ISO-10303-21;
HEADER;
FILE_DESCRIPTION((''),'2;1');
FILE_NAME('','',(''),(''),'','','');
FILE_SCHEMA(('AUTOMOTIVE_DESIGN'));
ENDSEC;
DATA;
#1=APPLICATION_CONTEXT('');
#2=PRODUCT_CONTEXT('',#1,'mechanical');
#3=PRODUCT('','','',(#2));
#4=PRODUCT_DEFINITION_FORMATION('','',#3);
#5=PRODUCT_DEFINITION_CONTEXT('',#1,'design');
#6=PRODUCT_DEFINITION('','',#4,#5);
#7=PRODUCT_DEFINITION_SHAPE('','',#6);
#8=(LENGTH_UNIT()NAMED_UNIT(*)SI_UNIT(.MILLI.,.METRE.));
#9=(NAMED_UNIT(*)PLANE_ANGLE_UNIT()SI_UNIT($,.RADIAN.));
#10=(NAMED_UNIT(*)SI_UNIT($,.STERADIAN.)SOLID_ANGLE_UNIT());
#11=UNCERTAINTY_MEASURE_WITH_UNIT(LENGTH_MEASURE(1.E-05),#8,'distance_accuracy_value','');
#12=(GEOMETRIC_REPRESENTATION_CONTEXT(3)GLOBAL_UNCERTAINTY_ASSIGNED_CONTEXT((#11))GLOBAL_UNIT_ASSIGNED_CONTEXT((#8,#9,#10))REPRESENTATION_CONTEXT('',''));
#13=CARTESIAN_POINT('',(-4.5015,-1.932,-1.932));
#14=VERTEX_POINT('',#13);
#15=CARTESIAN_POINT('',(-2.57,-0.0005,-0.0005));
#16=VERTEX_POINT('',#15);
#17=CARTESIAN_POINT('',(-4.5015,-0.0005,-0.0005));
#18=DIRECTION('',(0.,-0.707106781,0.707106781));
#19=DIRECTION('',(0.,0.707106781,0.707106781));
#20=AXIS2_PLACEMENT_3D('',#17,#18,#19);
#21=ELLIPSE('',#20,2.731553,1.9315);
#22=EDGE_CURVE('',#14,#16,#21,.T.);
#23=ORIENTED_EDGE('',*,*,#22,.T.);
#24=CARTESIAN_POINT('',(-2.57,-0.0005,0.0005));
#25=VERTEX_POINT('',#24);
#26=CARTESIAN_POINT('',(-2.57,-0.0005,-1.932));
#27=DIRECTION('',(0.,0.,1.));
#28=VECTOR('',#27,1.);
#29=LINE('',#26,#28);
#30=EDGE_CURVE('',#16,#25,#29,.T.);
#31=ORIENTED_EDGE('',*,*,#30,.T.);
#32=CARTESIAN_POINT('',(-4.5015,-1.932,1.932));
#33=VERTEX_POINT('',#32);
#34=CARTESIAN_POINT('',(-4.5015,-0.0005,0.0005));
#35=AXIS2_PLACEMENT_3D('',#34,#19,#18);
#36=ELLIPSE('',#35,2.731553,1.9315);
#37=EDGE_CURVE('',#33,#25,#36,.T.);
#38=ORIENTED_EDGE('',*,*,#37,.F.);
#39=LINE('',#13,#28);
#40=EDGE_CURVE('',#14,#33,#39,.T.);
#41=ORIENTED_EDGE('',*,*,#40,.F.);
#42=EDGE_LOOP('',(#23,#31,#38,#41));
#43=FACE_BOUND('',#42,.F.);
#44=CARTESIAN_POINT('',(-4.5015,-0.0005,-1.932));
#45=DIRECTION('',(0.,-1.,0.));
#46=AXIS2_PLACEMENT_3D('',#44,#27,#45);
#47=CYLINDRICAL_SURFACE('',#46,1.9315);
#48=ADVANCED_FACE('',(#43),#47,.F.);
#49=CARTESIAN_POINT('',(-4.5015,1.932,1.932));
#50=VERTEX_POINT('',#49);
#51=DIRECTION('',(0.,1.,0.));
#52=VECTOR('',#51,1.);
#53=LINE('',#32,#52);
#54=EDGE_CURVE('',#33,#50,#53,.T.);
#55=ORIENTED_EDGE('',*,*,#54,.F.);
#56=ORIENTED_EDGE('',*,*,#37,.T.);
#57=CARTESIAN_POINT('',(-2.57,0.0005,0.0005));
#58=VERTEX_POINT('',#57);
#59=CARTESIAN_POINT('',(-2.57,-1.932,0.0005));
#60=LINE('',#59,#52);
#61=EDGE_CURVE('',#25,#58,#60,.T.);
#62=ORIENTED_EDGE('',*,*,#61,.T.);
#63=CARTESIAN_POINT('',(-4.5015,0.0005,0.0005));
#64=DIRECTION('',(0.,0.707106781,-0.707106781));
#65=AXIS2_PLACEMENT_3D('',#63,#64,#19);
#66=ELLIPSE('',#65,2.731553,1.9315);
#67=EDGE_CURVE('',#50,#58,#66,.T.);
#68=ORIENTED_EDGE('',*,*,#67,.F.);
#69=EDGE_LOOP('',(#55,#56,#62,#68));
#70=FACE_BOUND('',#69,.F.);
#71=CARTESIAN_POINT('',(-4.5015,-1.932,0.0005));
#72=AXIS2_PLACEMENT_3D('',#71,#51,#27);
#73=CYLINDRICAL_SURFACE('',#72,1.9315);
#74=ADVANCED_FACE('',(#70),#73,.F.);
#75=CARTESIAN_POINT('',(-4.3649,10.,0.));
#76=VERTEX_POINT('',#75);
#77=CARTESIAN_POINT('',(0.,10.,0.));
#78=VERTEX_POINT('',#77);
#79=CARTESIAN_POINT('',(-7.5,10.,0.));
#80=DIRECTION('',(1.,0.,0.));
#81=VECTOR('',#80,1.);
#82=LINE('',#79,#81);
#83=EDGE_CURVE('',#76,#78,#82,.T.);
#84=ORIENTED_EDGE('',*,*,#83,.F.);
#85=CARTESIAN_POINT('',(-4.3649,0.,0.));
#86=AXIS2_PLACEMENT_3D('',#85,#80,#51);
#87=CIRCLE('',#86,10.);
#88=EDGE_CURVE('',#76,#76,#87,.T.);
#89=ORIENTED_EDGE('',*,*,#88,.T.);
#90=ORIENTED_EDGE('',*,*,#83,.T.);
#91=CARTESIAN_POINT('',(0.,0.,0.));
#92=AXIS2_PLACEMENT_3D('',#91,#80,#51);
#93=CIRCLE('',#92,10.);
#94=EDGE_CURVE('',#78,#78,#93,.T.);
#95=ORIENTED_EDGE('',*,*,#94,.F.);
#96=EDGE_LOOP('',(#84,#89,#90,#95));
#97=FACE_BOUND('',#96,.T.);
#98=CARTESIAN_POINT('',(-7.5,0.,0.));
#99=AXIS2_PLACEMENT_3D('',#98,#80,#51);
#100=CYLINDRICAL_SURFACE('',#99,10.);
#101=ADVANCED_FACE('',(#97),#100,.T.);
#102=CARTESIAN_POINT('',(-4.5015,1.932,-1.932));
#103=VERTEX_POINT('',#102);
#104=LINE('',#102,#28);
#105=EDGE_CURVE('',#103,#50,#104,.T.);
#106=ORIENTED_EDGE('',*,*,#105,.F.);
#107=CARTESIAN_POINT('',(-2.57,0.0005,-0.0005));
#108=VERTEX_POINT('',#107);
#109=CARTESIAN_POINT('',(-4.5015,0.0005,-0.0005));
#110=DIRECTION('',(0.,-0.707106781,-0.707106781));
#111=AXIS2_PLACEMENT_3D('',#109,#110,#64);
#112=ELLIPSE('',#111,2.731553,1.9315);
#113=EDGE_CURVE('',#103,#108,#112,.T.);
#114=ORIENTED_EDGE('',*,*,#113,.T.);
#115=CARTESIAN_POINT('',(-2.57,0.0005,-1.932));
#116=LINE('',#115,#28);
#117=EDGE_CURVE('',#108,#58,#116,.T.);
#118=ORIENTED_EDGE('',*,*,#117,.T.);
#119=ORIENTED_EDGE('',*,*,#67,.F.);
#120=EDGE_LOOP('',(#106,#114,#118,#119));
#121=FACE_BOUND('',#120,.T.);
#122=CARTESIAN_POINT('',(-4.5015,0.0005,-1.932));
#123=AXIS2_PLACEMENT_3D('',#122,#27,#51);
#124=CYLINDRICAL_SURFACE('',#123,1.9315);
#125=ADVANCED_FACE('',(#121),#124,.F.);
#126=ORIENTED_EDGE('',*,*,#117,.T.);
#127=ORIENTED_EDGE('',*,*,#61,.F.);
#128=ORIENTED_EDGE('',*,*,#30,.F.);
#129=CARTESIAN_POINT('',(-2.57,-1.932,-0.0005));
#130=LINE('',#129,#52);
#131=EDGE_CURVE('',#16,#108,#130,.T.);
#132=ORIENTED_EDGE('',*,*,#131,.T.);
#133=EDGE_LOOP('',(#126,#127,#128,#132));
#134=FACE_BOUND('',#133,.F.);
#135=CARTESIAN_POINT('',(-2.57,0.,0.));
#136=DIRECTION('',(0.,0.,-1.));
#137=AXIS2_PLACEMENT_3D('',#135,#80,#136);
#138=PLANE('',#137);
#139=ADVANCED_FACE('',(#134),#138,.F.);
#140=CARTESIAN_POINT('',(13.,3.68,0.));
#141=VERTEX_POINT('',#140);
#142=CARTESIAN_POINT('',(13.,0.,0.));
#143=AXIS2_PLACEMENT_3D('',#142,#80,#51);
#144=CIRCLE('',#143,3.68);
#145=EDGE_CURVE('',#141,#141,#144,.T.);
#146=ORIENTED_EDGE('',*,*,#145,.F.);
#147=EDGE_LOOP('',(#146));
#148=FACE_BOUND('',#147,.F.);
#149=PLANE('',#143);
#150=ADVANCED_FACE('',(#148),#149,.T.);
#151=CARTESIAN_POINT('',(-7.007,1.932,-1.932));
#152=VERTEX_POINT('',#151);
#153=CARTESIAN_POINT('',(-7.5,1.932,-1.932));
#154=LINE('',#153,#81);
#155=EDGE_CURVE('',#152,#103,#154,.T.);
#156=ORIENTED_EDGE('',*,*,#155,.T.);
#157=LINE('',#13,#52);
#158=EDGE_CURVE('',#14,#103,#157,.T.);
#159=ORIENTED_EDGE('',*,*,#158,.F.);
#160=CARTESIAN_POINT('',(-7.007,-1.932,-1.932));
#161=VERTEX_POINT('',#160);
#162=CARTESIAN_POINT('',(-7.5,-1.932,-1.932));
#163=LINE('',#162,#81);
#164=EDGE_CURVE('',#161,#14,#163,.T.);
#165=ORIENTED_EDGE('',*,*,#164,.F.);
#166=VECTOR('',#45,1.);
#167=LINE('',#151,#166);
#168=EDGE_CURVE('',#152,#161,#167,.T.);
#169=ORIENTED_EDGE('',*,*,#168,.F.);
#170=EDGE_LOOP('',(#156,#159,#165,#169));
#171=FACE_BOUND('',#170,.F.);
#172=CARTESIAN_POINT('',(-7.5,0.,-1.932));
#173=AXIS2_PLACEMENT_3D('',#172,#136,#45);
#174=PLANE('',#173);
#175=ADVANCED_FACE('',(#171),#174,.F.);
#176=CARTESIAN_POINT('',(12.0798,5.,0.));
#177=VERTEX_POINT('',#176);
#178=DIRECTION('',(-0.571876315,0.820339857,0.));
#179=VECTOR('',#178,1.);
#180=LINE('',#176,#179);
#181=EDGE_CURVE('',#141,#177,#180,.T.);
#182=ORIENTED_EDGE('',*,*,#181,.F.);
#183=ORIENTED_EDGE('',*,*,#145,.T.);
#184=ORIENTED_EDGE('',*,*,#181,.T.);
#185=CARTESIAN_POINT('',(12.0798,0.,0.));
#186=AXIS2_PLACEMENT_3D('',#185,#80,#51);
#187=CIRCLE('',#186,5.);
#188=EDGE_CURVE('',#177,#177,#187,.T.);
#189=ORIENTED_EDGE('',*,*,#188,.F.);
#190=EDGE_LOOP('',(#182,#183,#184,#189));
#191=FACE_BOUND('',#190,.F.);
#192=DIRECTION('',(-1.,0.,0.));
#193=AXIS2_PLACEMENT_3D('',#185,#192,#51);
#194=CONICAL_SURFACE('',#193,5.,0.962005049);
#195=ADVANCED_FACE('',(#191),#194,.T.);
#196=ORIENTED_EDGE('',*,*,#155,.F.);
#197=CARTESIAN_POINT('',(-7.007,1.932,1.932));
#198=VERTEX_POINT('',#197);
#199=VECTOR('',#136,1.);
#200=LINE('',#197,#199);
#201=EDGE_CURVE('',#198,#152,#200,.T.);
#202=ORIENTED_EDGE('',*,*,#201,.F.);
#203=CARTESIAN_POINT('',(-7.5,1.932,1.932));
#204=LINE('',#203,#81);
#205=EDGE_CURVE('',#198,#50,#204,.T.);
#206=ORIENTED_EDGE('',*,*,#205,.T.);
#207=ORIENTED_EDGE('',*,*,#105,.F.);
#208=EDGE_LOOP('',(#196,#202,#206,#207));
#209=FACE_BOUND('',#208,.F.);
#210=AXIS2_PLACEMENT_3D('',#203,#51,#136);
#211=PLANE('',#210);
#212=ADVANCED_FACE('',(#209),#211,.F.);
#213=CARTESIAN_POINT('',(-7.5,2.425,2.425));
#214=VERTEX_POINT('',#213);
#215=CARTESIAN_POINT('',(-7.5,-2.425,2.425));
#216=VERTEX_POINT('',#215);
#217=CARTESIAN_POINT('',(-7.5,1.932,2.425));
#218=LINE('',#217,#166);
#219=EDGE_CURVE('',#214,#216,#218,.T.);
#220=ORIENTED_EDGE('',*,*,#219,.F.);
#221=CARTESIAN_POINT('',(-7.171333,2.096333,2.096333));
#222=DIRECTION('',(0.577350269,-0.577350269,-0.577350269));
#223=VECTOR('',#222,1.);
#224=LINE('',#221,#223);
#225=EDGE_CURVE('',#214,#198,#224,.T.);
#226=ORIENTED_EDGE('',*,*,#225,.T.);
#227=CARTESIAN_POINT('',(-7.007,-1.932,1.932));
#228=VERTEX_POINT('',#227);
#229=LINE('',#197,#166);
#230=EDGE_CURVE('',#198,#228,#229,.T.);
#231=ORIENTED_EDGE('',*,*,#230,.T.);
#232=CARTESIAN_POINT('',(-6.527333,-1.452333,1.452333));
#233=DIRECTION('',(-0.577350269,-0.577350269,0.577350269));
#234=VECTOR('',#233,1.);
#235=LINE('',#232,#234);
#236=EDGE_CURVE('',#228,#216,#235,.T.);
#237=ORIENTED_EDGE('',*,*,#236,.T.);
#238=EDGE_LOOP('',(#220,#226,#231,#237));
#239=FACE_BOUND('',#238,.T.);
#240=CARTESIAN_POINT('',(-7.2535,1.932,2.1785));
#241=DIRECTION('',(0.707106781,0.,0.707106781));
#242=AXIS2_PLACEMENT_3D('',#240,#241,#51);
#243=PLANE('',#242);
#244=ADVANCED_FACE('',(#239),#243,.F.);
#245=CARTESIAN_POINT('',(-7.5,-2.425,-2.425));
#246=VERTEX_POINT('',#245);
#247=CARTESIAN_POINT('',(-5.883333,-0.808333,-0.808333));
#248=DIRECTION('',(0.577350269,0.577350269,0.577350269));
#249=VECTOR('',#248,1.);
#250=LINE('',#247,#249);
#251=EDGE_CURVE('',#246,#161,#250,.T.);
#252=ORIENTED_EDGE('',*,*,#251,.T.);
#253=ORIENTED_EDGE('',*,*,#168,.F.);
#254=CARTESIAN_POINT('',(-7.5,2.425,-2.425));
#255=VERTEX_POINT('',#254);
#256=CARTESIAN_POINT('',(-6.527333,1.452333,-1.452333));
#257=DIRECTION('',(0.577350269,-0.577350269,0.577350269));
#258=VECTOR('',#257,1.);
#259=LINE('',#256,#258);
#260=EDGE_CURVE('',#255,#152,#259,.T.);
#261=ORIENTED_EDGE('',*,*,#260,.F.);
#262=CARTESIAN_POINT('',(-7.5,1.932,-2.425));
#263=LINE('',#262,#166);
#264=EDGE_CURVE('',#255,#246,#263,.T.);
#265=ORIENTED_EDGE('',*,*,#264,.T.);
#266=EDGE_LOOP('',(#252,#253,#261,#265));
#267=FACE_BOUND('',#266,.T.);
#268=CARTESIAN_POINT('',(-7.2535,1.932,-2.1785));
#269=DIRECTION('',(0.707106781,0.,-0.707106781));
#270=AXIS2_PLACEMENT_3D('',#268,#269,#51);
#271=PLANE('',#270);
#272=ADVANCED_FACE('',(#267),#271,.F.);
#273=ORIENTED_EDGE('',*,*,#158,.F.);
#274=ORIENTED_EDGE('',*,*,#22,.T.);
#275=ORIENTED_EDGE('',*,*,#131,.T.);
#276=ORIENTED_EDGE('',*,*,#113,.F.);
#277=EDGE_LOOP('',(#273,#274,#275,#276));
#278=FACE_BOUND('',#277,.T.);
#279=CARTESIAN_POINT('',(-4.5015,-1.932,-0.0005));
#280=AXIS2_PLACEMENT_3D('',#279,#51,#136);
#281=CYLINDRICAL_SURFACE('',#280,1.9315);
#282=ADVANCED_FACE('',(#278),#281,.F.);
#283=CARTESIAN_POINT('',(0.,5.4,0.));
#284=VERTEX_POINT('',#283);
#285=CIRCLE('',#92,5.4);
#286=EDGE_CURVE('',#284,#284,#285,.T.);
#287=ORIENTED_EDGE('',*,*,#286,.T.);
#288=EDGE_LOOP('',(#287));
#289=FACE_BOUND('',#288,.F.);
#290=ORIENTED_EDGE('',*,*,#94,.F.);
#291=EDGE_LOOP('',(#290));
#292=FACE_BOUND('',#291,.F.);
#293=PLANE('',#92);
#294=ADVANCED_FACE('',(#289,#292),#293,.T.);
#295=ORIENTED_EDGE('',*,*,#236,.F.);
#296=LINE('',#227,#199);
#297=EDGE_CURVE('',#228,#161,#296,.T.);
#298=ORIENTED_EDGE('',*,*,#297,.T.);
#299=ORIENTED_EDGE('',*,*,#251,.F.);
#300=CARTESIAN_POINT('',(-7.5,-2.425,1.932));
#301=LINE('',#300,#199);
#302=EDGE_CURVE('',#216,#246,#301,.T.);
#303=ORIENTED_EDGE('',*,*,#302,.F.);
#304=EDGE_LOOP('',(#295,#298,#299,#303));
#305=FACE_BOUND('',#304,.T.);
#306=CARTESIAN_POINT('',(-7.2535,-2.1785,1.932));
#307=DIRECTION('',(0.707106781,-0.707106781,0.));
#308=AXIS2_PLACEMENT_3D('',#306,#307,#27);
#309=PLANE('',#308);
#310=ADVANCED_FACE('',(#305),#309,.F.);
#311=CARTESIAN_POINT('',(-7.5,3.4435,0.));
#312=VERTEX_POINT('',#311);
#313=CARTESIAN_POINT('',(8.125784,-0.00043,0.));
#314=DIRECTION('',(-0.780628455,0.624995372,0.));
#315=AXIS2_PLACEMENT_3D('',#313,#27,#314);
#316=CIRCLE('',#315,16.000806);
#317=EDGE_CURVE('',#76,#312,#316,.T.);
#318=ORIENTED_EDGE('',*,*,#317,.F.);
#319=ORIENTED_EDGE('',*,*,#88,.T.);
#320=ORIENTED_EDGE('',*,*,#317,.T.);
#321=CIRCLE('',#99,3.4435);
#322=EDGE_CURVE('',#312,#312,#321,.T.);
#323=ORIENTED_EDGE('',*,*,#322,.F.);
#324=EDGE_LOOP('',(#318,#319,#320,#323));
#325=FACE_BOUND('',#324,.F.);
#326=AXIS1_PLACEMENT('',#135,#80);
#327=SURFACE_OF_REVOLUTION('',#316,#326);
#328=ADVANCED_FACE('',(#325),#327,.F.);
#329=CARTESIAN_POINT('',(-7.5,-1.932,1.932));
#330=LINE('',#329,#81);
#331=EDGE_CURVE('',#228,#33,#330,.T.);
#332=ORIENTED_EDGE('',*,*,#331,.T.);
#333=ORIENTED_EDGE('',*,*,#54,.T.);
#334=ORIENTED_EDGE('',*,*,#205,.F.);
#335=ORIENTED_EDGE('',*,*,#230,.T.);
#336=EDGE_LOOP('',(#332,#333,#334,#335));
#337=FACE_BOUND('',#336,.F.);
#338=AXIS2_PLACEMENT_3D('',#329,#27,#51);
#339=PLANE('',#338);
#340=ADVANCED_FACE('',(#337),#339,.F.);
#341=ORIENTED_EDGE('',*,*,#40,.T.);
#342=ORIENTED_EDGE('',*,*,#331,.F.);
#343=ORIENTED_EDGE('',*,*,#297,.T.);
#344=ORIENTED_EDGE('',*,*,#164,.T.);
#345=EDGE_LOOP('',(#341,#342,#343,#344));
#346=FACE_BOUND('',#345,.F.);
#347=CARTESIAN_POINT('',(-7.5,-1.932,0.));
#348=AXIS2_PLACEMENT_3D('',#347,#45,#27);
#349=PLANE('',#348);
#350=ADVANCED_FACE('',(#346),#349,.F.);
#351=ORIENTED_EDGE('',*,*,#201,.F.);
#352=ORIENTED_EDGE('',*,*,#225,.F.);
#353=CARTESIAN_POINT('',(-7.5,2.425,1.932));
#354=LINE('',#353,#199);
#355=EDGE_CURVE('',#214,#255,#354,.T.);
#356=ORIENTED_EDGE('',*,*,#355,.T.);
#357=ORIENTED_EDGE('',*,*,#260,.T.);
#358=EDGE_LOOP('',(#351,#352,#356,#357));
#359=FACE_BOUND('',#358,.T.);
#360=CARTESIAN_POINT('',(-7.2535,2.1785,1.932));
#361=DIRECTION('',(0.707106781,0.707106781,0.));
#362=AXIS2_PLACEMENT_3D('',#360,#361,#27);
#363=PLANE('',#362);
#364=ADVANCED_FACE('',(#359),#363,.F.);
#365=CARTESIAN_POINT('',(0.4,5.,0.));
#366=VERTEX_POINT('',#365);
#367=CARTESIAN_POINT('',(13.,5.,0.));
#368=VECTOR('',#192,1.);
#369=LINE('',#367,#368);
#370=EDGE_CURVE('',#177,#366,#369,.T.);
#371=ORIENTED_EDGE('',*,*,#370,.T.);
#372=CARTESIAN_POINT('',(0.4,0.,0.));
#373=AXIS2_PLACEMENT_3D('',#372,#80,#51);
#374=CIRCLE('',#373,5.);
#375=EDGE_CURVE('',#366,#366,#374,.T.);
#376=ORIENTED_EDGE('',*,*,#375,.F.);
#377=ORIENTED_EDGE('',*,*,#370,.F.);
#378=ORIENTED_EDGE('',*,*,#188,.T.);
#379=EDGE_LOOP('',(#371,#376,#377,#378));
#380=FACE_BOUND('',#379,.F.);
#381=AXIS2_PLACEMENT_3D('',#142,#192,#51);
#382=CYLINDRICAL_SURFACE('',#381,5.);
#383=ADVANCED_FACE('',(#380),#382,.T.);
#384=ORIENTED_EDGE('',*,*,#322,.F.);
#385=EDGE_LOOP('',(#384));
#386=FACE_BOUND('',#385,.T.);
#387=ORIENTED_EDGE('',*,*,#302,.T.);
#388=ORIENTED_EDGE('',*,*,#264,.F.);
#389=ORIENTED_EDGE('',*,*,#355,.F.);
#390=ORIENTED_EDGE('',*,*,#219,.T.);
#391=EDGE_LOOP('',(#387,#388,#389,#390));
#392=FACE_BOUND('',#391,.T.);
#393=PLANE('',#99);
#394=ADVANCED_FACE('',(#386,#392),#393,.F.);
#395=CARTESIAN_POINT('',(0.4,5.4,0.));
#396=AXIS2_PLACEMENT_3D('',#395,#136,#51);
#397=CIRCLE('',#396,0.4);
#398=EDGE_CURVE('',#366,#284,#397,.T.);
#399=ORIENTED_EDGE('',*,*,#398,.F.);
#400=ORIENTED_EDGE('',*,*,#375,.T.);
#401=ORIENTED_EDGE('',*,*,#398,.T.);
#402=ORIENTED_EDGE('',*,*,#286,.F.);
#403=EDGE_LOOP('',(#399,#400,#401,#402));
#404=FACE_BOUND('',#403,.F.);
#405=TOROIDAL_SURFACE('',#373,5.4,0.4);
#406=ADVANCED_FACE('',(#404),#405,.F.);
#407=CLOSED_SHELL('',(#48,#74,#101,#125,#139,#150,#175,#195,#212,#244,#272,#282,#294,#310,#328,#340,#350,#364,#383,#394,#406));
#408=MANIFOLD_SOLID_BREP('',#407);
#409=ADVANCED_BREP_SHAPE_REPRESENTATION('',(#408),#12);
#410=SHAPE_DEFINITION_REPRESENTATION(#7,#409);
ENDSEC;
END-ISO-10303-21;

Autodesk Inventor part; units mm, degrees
ref_plane "YZ Plane" through (0, 0, 0) normal (1, 0, 0) x (0, 1, 0)
sketch "Skizze1" plane through (0, 0, 0) normal (0, 0, 1) x (1, 0, 0)
  line L0 (-2.57, 0) -> (13, 0)
  line L1 (13, 0) -> (13, 5)
  line L2 (13, 5) -> (0, 5)
  line L3 (0, 5) -> (0, 10)
  line L4 (-12.0526, 0) -> (17.1754, 0) projected
  line L5 (0, -2.0361) -> (0, 12.2164) projected
  line L6 (-7.5, 3.4435) -> (-5.0836, 3.4435) construction
  line L7 (-7.5, 0) -> (-2.57, 0)
  line L8 (0, 0) -> (-2.57, 0)
  line L9 (-7.5, 0) -> (-7.5, 10)
  arc A0 (-4.3649, 10) -> (-7.5, 3.4435) centre (8.1251, 0) ccw
  line L10 (-7.5, 10) -> (0, 10)
  dimension "d0" = 13
  dimension "d1" = 10
  dimension "d2" = 20
  dimension "d4" = 6.887
  dimension "d13" = 7.5
  dimension "d14" = 4.93
  dimension "d46" = 16
  dimension "d47" = 0
revolve "Körper" add sketch "Skizze1" angle 360 about axis through (-2.57, 0, 0) along (1, 0, 0) contours L4 L9 A0 L10 L3 L5 L0 | L5 L2 L1 L0
ref_plane "IDS_WORKPLANE{1}" through (-7.5, 0, 0) normal (1, 0, 0) x (0, 0, -1)
sketch "Skizze2" plane through (-7.5, 0, 0) normal (1, 0, 0) x (0, 0, -1)
  line L0 (0, -14) -> (0, 14) projected
  line L1 (14, 0) -> (-14, 0) projected
  line L2 (-1.932, 1.932) -> (1.932, 1.932)
  line L3 (1.932, 1.932) -> (1.932, -1.932)
  line L4 (1.932, -1.932) -> (-1.932, -1.932)
  line L5 (-1.932, -1.932) -> (-1.932, 1.932)
  line L6 (0, 1.932) -> (0, -1.932) construction
  line L7 (-1.932, 0) -> (1.932, 0) construction
  dimension "d7" = 3.864
  dimension "d9" = 3.864
extrude "Extrusion" cut sketch "Skizze2" along normal blind 4.93
fillet "Rundung1" radius 1.932 4 edges at (-2.57, 0, -1.932) (-2.57, -1.932, 0) (-2.57, 0, 1.932) (-2.57, 1.932, 0)
chamfer "Fase1" distance 0.493 angle 45 4 edges at (-7.5, 1.932, 0) (-7.5, 0, -1.932) (-7.5, -1.932, 0) (-7.5, 0, 1.932)
thread "Gewinde" size "M10x1.5" class "6g" standard "ISO Metric profile" length 11.5
chamfer "Fase2" distance 1.32 distance2 0.9202 1 edges at (13, -5, 0) measured on face at (13, -0.8193, -0.3214)
ref_plane "Work Plane2" through (69.85, 0, 0) normal (0, 0, -1) x (1, 0, 0)
fillet "Rundung2" radius 0.4 1 edges at (0, -5, 0)
equation "\"d7\" = KOM - 0.2 * STI"
equation "\"d9\" = KOM - 0.2 * STI"
equation "\"d0\" = NLG"
equation "\"d1\" = GD"
equation "\"d2\" = KOD"
equation "\"d4\" = 1.42 * KOM"
equation "\"d13\" = KOH"
equation "\"d14\" = STI"
equation "\"d46\" = KR"
equation "\"d48\" = STI"
equation "\"d50\" = -0.1 * STI + 0.5 * KOM"
equation "\"d51\" = 0.1 * STI"
equation "\"d18\" = GEL"
equation "\"d20\" = -0.5 * SPD + 0.5 * GD"
equation "\"d21\" = GUL"
equation "\"d44\" = R"
equation "\"GD\" = 10"
equation "\"NLG\" = 13"
equation "\"GEL\" = 11.5"
equation "\"KOD\" = 20"
equation "\"KOH\" = 7.5"
equation "\"SPD\" = 7.36"
equation "\"KR\" = 16"
equation "\"RR\" = 3.2"
equation "\"GUL\" = 0.61345 * PTC"
equation "\"KEWI\" = 0"
equation "\"SDM\" = 4.86"
equation "\"STI\" = 4.93"
equation "\"d6\" = -KOH"
equation "\"R\" = 0.4"
equation "\"KOM\" = 4.85"
equation "\"KOP\" = 16"
equation "\"PTC\" = 1.5"
properties part number "ANSI B18.6.7M - M10x1,5 x 13, SRPHMSTIM" material "Stahl, weich"
